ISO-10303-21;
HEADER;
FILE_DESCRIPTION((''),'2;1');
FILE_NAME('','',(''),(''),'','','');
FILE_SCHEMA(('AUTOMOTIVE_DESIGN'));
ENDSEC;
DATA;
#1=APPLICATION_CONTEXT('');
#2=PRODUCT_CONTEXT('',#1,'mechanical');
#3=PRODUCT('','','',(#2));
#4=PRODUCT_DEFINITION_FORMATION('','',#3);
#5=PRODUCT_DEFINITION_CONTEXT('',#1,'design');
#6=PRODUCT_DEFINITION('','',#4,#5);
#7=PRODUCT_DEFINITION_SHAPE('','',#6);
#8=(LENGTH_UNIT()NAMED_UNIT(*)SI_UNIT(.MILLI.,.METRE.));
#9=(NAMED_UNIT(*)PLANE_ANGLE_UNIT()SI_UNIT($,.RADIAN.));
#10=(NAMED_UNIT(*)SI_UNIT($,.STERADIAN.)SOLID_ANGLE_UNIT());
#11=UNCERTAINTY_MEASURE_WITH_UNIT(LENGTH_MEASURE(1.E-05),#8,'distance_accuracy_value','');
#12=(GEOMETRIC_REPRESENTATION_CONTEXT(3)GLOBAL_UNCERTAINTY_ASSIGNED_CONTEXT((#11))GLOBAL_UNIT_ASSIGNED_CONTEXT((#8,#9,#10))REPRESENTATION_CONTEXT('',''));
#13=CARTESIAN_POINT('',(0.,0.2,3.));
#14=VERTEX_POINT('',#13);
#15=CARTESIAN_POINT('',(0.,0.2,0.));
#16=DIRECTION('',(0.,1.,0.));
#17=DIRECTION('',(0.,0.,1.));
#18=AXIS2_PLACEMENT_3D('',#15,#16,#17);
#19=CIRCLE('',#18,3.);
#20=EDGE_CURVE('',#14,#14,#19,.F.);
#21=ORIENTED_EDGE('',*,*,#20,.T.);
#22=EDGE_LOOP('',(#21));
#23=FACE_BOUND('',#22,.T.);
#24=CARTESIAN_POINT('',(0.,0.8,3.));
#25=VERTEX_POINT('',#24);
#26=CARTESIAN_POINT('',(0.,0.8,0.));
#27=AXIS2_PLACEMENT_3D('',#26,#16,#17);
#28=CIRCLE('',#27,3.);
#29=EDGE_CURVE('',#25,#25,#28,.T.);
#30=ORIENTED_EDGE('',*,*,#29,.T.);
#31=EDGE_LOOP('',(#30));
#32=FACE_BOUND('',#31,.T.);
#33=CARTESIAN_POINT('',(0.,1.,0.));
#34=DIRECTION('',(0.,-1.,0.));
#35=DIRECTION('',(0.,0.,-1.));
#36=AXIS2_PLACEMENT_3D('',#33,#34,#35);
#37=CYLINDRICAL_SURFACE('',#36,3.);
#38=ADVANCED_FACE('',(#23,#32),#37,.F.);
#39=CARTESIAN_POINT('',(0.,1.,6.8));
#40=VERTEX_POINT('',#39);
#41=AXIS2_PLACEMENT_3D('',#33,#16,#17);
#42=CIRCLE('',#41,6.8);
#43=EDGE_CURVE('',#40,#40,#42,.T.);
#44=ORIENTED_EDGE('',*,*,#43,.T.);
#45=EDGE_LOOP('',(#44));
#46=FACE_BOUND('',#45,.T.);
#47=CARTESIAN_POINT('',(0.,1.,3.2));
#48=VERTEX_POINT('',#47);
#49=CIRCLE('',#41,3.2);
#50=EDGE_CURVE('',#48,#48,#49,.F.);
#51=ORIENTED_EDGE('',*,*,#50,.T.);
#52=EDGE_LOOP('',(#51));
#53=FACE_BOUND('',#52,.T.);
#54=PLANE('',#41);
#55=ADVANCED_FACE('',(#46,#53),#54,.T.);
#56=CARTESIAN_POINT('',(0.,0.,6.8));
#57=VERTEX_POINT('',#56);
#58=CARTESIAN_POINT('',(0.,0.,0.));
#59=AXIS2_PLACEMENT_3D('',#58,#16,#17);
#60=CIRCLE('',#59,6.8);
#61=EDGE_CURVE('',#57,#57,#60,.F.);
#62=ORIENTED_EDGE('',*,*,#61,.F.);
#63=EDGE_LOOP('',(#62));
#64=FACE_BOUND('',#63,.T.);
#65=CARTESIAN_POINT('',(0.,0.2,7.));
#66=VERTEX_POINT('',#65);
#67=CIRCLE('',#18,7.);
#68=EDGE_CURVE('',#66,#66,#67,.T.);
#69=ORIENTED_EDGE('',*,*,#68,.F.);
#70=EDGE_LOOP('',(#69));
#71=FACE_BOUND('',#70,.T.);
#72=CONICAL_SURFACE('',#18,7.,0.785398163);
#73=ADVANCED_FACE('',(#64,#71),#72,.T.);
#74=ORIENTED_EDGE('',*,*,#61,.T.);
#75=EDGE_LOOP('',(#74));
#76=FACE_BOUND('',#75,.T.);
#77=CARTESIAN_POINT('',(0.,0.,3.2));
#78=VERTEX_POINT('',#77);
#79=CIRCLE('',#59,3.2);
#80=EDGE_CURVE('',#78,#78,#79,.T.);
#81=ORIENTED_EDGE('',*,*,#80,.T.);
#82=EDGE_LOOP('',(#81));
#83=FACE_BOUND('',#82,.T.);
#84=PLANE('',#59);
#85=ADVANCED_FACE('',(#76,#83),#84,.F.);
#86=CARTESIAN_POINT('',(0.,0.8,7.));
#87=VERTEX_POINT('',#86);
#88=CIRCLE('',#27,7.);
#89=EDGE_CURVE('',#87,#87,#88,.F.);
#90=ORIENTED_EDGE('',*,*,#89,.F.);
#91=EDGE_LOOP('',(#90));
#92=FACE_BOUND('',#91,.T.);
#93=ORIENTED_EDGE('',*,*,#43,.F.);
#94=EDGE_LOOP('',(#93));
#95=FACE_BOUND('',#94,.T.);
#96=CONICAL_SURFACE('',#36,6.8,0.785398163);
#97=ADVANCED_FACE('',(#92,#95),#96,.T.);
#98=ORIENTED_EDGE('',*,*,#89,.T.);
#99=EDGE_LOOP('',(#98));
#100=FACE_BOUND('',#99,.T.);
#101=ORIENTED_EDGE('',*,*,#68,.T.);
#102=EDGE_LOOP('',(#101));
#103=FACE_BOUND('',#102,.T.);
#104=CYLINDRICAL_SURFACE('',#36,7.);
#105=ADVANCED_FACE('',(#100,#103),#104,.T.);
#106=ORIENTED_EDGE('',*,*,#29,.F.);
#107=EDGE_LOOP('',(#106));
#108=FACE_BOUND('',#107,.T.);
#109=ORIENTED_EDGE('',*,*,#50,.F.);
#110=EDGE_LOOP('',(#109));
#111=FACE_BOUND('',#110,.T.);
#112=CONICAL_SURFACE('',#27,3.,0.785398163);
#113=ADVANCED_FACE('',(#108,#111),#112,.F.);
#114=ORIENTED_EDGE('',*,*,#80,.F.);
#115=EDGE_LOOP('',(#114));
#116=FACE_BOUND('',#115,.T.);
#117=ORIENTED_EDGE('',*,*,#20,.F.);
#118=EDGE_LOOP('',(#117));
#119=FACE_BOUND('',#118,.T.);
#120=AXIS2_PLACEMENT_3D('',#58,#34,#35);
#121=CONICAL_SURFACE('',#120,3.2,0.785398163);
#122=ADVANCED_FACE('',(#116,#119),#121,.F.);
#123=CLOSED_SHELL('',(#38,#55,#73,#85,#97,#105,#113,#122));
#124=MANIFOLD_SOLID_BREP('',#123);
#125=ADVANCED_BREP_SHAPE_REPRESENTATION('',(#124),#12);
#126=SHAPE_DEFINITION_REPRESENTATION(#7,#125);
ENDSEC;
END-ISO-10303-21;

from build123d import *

# Parameters (mm, degrees)
SKETCH1_R           = 7
SKETCH1_R_2         = 3
BOSS_EXTRUDE1_DEPTH = 1
CHAMFER1_SIZE       = 0.2


with BuildPart() as part:
    # Sketch1 → Boss-Extrude1 (new body)
    with BuildSketch(Plane(origin=(0, 0, 0), x_dir=(1, 0, 0), z_dir=(0, 1, 0))):
        with Locations(Location((0, 0, 0), (0, 0, 270))):
            Circle(SKETCH1_R)
        with Locations(Location((0, 0, 0), (0, 0, 270))):
            Circle(SKETCH1_R_2, mode=Mode.SUBTRACT)
    extrude(amount=BOSS_EXTRUDE1_DEPTH)

    # Chamfer1
    chamfer1_edges = [part.edges().sort_by_distance(p)[0] for p in [
        (0, 0, -7),
        (0, 1, -7),
        (0, 0, -3),
        (0, 1, -3),
    ]]
    chamfer(chamfer1_edges, length=CHAMFER1_SIZE)


solid = part.part
